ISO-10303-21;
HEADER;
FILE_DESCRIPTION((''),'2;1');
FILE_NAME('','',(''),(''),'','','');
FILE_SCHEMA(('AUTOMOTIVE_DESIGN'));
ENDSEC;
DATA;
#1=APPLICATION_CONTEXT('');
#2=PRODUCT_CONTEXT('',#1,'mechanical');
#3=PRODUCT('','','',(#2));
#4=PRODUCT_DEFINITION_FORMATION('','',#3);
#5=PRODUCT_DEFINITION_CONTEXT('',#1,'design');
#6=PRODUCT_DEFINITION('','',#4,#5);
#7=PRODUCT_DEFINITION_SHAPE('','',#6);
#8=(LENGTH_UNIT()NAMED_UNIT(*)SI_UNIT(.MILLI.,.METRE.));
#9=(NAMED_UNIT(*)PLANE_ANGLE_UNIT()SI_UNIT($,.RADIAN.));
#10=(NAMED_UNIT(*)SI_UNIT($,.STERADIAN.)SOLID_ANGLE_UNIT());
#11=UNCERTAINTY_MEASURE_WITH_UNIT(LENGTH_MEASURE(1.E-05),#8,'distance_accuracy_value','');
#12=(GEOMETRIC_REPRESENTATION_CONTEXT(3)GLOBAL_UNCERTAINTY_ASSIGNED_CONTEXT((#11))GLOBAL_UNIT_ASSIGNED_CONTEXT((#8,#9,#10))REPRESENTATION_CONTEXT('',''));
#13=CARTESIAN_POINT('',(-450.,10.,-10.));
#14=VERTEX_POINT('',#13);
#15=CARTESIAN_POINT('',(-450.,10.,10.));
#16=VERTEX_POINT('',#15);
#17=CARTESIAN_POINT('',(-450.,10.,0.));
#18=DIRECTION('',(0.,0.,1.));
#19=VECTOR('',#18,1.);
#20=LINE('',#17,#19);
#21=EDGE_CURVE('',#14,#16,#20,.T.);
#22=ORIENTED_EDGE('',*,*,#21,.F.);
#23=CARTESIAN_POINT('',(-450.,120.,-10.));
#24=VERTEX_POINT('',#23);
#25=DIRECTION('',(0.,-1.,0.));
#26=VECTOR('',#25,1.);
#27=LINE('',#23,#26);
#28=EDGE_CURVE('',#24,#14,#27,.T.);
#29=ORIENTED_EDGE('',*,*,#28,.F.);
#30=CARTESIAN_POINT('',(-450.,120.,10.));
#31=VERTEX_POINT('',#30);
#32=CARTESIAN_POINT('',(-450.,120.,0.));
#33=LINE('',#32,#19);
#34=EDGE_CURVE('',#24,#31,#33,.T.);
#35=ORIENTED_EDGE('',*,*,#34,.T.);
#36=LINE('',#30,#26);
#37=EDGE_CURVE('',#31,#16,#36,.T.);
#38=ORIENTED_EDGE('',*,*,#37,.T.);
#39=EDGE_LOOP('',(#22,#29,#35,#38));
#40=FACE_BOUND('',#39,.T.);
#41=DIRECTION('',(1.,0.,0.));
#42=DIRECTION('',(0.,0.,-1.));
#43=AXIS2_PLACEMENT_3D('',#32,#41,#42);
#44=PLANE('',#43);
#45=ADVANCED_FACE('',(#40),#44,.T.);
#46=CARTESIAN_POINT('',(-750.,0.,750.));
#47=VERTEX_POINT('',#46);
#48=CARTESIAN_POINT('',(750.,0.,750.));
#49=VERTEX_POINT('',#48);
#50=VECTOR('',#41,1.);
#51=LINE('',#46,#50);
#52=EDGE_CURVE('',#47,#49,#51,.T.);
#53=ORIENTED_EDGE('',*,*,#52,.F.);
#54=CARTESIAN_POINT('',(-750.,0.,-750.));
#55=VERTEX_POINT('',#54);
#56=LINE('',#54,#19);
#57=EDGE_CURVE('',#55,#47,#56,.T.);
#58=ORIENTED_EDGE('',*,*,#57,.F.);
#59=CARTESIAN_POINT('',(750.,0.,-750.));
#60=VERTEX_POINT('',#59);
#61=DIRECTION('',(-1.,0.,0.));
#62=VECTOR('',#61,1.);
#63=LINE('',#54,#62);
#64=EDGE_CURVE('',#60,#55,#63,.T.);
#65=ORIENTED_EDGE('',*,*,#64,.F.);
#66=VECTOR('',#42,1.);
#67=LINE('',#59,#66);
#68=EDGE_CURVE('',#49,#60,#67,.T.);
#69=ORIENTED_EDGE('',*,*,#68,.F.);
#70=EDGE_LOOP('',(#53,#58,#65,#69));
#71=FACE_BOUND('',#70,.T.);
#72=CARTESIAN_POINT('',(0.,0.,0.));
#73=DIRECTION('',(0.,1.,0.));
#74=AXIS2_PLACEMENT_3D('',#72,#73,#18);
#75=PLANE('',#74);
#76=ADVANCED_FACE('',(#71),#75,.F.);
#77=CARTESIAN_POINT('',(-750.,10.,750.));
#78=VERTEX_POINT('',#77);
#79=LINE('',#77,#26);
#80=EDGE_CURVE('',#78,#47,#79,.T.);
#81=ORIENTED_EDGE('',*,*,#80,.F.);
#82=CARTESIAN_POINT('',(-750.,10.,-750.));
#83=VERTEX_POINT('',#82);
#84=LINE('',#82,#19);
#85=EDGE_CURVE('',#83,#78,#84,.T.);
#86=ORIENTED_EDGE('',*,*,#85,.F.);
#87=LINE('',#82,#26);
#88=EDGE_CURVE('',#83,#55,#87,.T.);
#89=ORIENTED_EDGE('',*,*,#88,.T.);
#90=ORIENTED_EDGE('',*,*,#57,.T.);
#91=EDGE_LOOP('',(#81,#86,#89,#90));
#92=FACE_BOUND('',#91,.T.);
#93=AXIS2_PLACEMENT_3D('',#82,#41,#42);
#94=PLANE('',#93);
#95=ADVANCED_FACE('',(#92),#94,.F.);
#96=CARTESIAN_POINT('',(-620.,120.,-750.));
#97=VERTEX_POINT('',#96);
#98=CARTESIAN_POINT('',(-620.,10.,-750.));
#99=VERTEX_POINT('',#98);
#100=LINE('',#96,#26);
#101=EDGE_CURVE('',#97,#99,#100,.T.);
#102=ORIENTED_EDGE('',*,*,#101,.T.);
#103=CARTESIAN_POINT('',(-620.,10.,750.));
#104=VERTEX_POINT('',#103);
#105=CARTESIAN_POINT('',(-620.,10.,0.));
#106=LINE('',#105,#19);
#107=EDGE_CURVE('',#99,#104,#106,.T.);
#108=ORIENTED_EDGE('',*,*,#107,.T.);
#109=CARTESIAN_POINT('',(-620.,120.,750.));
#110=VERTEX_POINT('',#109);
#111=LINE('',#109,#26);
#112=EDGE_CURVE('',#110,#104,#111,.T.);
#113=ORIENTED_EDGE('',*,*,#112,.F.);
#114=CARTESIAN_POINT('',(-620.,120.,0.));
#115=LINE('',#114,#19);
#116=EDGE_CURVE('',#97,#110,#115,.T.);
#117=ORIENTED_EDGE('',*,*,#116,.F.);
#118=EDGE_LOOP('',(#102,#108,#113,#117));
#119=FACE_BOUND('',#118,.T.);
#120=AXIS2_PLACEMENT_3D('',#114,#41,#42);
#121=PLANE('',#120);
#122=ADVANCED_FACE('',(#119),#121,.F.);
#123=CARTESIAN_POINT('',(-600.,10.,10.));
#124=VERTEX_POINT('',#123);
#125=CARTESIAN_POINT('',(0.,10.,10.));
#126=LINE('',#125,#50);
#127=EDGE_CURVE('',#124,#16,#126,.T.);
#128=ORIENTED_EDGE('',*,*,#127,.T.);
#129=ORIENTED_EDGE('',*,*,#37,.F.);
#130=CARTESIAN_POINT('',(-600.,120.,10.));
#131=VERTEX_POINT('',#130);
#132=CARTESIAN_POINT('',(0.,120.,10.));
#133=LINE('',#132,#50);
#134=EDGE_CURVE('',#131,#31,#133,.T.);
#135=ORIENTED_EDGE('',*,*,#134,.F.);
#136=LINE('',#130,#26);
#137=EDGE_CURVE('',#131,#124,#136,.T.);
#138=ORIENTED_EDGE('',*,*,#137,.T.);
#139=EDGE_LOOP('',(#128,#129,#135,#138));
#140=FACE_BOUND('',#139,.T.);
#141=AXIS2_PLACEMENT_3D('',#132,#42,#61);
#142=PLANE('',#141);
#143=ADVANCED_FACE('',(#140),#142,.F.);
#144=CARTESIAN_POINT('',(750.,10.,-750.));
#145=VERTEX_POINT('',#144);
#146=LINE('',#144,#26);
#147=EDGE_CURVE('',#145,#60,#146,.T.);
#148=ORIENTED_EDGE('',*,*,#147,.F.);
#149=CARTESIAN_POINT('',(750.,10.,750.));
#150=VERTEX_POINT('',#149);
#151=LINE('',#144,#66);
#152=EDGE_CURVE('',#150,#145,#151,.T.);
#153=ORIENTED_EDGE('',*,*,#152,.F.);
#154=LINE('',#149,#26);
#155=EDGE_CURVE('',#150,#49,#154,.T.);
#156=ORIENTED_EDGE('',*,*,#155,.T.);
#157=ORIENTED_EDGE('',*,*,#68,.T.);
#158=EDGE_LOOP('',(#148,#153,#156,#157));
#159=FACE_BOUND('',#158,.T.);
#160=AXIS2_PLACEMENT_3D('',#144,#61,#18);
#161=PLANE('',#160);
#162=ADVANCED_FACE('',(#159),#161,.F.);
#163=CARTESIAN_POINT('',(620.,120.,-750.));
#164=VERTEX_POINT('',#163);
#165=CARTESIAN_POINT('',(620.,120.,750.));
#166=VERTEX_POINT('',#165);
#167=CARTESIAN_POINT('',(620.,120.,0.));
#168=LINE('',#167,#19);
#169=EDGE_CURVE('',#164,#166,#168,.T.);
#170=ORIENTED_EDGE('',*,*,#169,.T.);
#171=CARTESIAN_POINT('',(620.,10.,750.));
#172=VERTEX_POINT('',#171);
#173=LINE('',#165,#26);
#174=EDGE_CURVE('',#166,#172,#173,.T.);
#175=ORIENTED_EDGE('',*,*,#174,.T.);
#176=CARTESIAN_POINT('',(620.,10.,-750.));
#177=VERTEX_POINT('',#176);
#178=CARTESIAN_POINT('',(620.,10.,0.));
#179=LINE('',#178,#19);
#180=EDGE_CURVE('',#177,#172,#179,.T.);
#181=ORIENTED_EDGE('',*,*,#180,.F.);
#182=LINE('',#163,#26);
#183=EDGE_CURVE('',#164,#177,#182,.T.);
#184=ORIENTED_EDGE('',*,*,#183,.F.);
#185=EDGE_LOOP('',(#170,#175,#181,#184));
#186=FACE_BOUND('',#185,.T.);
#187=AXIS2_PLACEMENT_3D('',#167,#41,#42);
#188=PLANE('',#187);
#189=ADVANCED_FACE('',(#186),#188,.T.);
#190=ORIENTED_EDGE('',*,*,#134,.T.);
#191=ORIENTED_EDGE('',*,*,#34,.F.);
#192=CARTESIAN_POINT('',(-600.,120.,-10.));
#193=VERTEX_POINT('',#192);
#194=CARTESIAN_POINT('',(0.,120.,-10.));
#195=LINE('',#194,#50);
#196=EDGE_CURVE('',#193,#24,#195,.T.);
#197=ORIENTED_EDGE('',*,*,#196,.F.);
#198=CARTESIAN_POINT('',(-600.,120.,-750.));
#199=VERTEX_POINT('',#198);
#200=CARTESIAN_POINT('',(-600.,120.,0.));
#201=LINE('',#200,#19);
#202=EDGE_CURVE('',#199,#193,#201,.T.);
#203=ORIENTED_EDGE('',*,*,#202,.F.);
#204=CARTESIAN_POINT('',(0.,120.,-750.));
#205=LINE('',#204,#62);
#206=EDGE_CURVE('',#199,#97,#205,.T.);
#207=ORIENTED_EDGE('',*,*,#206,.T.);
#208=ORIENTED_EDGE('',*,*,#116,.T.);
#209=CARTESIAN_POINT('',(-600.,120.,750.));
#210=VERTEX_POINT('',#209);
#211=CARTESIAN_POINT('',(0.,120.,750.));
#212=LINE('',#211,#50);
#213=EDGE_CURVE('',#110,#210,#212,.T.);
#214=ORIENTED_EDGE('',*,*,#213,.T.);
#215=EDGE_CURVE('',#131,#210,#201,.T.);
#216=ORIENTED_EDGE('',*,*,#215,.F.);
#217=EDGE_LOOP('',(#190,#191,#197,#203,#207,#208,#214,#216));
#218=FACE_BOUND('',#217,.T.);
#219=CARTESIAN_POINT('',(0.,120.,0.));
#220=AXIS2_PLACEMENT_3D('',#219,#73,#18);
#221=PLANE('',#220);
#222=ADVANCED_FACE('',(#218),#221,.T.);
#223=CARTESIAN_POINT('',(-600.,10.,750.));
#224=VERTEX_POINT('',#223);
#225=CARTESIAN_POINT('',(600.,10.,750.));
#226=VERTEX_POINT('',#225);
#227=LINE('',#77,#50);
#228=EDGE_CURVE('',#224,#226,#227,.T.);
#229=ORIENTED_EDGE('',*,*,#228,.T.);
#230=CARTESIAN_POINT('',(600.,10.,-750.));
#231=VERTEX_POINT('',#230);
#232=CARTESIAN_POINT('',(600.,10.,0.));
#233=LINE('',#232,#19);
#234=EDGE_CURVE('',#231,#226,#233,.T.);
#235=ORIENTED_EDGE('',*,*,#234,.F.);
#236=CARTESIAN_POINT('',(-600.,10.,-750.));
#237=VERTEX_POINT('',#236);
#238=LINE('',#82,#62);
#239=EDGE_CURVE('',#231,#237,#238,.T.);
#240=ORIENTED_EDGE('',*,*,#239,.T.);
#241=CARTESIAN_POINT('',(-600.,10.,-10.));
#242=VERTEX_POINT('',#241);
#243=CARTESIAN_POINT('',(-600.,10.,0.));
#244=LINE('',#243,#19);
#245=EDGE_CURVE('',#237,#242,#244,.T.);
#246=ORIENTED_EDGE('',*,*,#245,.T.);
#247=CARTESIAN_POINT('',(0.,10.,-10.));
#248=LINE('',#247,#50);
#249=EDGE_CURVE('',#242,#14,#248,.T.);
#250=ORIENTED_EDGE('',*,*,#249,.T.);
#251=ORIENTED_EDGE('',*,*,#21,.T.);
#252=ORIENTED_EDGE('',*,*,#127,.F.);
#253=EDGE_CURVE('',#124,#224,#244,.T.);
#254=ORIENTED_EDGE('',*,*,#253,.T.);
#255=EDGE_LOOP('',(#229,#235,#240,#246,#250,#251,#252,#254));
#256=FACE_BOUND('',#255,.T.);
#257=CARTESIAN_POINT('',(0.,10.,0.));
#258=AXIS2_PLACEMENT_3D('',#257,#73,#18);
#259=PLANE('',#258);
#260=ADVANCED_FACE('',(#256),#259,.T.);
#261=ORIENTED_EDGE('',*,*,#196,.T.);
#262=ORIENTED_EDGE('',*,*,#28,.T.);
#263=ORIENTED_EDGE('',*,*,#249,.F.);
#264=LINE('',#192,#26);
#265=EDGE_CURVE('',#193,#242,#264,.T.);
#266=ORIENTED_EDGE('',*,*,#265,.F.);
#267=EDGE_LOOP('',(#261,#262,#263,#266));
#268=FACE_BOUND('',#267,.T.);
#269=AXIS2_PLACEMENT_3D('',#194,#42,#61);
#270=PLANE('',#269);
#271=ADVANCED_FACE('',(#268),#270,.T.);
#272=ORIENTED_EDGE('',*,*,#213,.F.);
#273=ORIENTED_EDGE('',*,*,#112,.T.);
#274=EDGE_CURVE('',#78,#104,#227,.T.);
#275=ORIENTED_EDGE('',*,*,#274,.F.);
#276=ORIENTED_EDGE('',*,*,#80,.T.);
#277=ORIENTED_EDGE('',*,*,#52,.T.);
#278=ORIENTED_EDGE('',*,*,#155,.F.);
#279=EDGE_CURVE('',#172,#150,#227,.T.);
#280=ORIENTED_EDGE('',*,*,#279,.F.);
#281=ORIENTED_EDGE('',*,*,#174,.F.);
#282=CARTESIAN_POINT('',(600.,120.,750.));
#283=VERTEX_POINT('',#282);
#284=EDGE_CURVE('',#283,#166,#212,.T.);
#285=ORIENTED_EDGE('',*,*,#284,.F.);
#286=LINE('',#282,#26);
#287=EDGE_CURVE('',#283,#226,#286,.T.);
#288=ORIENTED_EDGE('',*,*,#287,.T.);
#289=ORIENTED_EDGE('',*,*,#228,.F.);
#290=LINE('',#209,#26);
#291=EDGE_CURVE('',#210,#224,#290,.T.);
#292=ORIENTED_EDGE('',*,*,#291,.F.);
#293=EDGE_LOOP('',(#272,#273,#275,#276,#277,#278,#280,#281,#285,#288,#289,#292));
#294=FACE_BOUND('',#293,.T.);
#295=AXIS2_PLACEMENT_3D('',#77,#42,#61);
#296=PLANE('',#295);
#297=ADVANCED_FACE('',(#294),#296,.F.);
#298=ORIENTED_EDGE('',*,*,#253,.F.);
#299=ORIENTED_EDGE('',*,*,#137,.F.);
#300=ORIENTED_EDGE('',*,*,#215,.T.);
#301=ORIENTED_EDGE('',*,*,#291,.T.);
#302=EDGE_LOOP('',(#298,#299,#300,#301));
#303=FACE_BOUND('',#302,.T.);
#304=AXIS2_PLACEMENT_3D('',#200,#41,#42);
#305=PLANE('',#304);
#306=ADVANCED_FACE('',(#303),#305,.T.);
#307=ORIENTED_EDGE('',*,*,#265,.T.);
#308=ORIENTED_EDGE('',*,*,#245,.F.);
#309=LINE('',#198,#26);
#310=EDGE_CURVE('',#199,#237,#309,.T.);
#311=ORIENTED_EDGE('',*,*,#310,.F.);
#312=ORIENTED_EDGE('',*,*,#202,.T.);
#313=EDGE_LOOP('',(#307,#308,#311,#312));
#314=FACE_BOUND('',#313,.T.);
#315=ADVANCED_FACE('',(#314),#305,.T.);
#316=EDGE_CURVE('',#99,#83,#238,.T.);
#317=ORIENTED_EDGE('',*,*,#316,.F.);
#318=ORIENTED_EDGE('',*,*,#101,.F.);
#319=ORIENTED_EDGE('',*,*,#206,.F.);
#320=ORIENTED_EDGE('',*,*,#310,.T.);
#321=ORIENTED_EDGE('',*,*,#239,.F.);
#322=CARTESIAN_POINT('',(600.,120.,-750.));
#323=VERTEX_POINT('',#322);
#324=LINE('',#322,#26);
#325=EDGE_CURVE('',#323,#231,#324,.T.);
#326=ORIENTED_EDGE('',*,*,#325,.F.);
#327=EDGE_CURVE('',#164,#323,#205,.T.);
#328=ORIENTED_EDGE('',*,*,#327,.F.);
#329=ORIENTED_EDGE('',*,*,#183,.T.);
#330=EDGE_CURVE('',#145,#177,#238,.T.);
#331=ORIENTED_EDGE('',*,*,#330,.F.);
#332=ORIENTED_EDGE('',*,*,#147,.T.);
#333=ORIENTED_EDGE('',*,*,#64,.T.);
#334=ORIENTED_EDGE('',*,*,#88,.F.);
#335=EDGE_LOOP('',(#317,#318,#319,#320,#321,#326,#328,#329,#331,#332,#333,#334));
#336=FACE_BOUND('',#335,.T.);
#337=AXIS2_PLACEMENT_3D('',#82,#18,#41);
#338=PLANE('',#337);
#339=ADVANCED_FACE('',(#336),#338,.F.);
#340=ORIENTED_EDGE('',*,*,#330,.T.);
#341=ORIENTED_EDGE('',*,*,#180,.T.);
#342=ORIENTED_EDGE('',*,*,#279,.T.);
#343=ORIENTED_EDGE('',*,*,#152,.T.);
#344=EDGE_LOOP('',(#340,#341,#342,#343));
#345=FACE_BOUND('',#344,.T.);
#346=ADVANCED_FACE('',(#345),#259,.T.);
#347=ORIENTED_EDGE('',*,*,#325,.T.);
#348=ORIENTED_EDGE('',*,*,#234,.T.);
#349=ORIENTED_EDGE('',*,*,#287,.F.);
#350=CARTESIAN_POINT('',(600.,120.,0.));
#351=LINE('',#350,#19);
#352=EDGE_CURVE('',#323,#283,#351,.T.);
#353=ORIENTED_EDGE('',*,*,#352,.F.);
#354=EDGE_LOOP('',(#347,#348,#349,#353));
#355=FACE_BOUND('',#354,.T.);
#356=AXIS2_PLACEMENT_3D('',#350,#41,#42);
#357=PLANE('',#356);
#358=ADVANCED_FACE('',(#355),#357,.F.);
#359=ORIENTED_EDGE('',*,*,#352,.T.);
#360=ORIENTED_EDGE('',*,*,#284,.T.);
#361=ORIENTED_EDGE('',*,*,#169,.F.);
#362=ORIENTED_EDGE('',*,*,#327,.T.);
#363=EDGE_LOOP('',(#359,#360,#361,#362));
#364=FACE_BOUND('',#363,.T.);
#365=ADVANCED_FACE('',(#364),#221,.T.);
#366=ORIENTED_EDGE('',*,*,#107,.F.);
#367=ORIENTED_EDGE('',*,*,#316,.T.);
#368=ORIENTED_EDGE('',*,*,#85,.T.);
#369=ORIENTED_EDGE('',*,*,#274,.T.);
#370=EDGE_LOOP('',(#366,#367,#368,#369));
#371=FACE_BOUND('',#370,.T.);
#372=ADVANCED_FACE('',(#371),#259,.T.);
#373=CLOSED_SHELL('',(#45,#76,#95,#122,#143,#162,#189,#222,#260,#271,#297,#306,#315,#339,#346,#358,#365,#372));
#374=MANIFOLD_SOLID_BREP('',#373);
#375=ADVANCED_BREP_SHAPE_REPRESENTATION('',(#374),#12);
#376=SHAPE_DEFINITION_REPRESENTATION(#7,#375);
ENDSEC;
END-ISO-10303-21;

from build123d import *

# Parameters (mm, degrees)
SKETCH2_W           = 1500
SKETCH2_H           = 1500
BOSS_EXTRUDE1_DEPTH = 10
SKETCH3_W           = 150
SKETCH3_H           = 20
SKETCH3_W_2         = 20
SKETCH3_H_2         = 1500
BOSS_EXTRUDE2_DEPTH = 110


with BuildPart() as part:
    # Sketch2 → Boss-Extrude1 (new body)
    with BuildSketch(Plane(origin=(0, 0, 0), x_dir=(1, 0, 0), z_dir=(0, 1, 0))):
        Rectangle(SKETCH2_W, SKETCH2_H)
    extrude(amount=BOSS_EXTRUDE1_DEPTH)

    # Sketch3 → Boss-Extrude2 (add)
    with BuildSketch(Plane(origin=(0, 10, 0), x_dir=(1, 0, 0), z_dir=(0, 1, 0))):
        Polygon((-600, 750), (-620, 750), (-620, -750), (-600, -750), (-600, -10), (-600, 10), align=None)
        with Locations((-525, 0)):
            Rectangle(SKETCH3_W, SKETCH3_H)
        with Locations((610, 0)):
            Rectangle(SKETCH3_W_2, SKETCH3_H_2)
    extrude(amount=BOSS_EXTRUDE2_DEPTH)


solid = part.part
